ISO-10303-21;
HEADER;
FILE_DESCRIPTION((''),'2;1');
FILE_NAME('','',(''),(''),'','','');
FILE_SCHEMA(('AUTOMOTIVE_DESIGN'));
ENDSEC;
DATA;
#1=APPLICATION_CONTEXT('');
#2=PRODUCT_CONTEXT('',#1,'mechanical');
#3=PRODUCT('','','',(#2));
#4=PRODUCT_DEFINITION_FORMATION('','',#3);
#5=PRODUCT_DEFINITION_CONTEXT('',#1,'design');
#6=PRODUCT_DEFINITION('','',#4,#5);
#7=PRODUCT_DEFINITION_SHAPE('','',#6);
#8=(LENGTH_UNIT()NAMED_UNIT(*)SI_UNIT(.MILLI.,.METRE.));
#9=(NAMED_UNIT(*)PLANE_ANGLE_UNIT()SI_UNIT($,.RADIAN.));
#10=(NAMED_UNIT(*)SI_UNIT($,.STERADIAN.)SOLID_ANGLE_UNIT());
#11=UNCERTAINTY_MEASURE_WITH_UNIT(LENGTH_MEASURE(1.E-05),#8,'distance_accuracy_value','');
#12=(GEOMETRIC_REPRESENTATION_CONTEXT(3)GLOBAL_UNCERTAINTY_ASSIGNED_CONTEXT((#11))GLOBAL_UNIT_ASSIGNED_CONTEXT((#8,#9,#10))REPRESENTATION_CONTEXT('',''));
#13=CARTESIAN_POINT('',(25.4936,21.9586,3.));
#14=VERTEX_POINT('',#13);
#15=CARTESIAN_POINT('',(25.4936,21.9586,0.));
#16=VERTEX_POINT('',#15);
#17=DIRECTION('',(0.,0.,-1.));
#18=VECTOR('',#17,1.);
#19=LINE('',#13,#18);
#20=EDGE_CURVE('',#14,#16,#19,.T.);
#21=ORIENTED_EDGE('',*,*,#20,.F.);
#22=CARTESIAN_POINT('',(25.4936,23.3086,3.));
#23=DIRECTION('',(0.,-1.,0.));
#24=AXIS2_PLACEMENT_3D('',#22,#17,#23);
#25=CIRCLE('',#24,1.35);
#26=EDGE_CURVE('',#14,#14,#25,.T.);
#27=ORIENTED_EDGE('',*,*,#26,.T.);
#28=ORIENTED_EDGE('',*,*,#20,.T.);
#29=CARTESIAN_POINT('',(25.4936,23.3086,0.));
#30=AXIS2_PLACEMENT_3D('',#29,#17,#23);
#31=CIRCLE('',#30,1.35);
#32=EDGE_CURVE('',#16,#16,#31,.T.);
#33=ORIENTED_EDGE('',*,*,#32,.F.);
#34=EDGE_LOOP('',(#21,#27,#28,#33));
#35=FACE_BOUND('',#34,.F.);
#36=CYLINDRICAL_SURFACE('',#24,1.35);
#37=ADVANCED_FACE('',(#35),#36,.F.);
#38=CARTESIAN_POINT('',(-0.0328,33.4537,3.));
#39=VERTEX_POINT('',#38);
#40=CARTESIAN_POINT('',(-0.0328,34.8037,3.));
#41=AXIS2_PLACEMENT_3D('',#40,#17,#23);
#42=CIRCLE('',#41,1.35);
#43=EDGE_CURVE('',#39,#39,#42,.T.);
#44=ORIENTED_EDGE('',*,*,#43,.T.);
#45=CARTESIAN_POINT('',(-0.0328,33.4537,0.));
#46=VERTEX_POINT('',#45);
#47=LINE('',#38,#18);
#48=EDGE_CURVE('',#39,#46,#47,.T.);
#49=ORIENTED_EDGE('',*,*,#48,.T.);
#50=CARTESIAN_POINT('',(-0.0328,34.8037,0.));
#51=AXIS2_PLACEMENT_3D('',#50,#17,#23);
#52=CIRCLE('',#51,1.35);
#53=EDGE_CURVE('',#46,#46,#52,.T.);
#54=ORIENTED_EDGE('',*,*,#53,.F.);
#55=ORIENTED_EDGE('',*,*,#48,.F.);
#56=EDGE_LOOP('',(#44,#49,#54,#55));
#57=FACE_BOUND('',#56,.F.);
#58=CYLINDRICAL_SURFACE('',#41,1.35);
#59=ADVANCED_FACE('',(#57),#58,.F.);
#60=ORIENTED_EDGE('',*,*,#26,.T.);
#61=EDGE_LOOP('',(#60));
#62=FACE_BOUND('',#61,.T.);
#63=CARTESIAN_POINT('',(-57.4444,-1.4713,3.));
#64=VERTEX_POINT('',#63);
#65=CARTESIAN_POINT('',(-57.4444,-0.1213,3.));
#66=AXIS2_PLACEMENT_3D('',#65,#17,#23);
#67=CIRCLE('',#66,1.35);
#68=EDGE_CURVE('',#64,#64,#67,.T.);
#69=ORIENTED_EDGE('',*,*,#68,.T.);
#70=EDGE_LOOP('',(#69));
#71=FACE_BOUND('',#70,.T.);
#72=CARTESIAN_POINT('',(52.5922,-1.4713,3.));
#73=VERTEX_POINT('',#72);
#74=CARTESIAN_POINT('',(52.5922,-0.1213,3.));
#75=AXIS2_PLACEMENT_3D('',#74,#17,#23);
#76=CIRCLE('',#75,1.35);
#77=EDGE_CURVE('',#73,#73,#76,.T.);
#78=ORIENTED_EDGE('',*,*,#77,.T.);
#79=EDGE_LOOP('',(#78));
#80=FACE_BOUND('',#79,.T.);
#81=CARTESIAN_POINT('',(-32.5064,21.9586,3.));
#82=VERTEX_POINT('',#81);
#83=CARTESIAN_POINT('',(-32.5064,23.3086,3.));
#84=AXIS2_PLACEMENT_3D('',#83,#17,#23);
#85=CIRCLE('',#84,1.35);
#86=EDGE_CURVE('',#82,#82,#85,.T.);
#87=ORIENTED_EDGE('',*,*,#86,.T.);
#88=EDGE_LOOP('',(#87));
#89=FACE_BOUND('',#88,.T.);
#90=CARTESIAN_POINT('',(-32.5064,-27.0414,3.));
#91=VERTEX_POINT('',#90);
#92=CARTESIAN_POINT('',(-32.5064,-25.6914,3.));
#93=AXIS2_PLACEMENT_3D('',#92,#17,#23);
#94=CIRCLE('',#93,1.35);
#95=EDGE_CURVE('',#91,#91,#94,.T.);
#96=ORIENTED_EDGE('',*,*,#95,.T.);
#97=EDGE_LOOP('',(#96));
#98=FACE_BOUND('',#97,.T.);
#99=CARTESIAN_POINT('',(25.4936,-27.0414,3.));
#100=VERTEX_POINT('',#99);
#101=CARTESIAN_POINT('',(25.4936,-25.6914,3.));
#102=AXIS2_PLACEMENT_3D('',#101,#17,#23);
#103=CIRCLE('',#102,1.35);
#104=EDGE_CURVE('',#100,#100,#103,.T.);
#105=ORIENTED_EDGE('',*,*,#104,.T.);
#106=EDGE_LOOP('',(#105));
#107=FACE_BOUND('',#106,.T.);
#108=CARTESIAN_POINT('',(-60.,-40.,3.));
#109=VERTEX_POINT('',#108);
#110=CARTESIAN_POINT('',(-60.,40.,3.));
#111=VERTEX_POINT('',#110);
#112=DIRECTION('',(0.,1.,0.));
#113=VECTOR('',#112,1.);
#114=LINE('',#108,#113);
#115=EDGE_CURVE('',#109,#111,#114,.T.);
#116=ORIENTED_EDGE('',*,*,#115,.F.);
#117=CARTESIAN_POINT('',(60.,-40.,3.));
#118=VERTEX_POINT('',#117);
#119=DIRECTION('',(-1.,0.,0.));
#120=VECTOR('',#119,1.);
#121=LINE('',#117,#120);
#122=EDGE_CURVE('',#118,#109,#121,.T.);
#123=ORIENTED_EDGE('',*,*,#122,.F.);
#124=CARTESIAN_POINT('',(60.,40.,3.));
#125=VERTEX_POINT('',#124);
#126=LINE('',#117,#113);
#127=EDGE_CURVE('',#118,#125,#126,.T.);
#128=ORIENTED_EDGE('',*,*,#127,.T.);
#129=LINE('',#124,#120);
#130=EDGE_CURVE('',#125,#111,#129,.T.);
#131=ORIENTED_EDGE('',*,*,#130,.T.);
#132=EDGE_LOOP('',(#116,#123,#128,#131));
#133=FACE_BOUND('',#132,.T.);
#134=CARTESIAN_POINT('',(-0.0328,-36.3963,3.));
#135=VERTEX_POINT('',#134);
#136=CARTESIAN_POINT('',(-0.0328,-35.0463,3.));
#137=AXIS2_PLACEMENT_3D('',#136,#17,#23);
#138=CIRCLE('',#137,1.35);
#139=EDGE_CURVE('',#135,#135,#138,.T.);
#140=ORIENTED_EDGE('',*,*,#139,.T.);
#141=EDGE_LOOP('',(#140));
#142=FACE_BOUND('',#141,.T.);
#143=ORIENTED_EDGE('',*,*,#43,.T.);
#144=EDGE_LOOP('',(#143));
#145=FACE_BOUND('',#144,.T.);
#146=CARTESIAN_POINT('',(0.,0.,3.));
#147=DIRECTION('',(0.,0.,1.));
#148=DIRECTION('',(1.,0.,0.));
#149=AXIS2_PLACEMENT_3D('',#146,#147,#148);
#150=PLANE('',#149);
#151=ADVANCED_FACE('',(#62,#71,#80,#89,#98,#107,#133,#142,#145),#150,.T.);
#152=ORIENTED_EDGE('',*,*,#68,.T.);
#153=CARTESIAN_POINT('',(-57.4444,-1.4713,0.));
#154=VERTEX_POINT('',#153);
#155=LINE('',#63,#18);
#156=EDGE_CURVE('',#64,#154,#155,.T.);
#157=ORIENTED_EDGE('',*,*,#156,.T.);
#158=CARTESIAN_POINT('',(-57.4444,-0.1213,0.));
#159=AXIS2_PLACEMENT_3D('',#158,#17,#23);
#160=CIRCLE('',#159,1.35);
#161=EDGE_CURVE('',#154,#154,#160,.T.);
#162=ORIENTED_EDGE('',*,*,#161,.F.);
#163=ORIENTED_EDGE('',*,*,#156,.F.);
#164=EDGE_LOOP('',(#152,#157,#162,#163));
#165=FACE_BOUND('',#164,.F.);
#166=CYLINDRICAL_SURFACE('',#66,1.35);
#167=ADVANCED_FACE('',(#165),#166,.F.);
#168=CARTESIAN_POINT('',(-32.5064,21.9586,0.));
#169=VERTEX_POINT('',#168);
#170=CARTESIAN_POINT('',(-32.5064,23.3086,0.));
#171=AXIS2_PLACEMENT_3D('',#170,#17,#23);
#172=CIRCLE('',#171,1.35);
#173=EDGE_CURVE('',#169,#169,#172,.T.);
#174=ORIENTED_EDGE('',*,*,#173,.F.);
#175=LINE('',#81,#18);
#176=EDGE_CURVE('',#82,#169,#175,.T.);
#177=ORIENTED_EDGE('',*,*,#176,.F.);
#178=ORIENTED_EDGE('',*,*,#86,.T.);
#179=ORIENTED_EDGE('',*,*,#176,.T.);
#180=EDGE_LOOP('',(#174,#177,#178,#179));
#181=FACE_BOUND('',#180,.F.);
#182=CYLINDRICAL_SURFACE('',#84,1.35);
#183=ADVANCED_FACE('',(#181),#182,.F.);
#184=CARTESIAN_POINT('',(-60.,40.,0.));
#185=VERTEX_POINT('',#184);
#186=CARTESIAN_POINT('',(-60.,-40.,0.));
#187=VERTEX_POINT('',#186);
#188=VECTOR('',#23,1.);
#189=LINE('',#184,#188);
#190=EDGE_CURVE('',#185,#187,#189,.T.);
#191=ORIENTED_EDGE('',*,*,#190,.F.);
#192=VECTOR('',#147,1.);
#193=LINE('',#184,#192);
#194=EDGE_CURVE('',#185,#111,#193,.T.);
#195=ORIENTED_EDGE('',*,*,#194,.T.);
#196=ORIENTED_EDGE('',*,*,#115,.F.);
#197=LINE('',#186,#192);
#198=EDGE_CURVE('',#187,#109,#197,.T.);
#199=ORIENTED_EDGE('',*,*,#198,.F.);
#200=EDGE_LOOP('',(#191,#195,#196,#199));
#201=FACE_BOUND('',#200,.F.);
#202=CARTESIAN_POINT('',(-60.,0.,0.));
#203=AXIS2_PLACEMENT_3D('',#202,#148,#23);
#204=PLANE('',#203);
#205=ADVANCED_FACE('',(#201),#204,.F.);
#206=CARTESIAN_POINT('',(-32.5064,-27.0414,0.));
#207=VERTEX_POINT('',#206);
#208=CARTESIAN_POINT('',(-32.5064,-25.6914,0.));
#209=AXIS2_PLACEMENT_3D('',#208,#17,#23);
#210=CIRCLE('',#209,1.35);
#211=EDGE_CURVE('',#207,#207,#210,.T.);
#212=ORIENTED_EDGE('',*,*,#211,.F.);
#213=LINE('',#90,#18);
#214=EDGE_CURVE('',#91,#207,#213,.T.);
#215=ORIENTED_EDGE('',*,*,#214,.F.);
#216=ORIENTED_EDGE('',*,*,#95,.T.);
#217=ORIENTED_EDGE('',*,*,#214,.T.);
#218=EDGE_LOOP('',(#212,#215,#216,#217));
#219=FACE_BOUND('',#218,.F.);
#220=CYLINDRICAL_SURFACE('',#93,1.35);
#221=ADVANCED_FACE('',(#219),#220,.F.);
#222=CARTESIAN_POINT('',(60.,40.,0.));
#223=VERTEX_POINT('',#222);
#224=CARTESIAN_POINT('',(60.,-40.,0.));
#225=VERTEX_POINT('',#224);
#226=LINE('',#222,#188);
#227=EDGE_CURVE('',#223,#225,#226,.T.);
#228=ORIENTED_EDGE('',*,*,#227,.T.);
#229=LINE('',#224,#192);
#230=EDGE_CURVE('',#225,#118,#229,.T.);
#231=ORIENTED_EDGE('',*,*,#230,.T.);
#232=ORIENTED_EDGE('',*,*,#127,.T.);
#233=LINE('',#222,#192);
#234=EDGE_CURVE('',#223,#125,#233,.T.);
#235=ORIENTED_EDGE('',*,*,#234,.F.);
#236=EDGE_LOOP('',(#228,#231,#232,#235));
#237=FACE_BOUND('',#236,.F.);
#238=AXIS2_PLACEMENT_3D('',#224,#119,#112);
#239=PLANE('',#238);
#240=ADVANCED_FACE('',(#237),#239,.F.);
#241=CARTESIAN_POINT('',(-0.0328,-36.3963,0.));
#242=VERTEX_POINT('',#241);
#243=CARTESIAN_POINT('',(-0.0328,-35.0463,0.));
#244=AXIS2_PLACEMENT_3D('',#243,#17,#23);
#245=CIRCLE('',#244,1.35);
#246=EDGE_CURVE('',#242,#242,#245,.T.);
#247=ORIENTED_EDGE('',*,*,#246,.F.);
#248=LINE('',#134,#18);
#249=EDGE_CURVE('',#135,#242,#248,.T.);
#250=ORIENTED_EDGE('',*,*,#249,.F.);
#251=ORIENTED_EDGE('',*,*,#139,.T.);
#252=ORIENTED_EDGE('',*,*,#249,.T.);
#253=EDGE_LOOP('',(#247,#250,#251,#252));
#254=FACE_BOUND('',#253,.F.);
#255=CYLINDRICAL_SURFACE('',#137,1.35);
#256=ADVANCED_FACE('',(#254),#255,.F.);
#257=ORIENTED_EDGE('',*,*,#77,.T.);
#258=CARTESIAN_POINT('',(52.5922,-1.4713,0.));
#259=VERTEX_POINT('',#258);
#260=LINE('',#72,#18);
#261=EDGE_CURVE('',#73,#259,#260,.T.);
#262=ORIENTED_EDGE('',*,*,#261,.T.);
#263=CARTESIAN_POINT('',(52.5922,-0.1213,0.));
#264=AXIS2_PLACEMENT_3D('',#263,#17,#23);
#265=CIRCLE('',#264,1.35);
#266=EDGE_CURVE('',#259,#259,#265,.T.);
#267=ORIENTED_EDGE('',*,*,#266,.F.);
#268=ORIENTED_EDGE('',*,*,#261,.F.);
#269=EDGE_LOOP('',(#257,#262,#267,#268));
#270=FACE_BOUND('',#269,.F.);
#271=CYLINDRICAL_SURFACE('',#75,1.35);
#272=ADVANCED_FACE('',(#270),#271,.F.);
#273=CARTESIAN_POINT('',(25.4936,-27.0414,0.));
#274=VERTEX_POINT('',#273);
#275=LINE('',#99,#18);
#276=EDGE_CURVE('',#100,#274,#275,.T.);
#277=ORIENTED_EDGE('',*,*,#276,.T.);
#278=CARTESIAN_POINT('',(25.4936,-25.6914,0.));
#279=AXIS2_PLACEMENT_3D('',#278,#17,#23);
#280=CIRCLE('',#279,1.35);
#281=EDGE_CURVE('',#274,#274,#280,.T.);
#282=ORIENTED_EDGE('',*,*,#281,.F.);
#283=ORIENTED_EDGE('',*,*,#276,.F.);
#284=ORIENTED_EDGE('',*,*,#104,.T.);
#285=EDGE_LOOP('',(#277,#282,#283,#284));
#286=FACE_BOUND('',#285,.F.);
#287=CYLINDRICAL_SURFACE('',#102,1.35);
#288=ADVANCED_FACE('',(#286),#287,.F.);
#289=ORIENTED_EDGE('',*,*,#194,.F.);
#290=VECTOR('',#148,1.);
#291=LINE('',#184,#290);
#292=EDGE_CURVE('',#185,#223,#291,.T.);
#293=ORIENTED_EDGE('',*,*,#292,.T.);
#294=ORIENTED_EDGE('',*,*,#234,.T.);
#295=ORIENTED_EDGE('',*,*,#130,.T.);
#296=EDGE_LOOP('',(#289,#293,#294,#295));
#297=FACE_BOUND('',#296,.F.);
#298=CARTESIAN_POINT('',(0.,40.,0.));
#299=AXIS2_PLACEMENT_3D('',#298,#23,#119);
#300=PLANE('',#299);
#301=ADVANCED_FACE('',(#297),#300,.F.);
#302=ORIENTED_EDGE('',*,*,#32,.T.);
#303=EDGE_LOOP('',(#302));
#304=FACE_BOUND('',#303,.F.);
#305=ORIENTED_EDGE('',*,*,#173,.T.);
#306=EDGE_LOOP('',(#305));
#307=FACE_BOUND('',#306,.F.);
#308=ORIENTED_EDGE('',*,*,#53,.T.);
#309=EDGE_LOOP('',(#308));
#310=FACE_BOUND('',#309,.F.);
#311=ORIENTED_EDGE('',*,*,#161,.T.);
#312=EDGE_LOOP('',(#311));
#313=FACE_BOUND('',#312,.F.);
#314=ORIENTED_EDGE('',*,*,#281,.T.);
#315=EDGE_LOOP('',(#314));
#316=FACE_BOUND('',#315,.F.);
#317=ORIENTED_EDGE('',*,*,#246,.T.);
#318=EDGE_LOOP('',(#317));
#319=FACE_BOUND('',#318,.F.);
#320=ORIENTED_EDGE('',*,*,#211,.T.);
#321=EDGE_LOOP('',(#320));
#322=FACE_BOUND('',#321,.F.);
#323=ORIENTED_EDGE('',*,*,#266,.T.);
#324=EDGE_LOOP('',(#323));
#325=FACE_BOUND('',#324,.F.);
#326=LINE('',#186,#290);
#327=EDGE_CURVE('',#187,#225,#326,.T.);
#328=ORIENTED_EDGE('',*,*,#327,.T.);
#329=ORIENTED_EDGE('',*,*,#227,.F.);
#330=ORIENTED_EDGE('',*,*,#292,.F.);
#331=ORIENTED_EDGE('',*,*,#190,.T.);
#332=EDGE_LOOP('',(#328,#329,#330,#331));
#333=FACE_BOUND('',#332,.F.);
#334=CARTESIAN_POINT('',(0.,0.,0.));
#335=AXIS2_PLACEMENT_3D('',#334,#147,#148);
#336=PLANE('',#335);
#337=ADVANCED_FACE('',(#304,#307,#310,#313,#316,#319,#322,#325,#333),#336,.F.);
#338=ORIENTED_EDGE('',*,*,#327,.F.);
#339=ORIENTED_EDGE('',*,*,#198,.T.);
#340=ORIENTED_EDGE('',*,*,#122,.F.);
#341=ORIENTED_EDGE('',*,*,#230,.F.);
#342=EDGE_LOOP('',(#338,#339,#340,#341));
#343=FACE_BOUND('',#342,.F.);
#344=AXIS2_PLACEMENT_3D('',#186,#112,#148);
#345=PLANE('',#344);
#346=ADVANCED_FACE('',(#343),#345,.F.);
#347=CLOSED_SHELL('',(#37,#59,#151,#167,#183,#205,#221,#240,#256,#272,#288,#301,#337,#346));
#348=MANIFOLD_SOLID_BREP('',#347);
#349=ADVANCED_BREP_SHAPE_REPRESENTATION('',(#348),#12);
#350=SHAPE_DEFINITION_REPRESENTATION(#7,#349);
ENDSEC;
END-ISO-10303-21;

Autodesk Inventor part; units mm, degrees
ref_plane "YZ Plane" through (0, 0, 0) normal (1, 0, 0) x (0, 1, 0)
ref_plane "XZ Plane" through (0, 0, 0) normal (0, 1, 0) x (-1, 0, 0)
ref_plane "XY Plane" through (0, 0, 0) normal (0, 0, 1) x (1, 0, 0)
sketch "Sketch1" plane through (0, 0, 0) normal (0, 0, 1) x (1, 0, 0)
  line L0 (-60, -40) -> (60, -40)
  line L1 (60, -40) -> (60, 40)
  line L2 (60, 40) -> (-60, 40)
  line L3 (-60, 40) -> (-60, -40)
  line L4 (-60, -40) -> (60, 40) construction
  line L5 (60, -40) -> (-60, 40) construction
  line L6 (60, 0) -> (-60, 0)
  line L7 (0, -40) -> (0, 40)
  point P0 (0, 0)
  dimension "d0" = 120
  dimension "d1" = 80
extrude "Extrusion1" add sketch "Sketch1" along normal blind 3
sketch "Sketch2" plane through (0, 0, 3) normal (0, 0, 1) x (1, 0, 0)
  circle A0 centre (-0.0328, 34.8037) radius 1.35
  circle A1 centre (-0.0328, -35.0463) radius 1.35
  circle A2 centre (52.5922, -0.1213) radius 1.35
  circle A3 centre (25.4936, 23.3086) radius 1.35
  circle A4 centre (25.4936, -25.6914) radius 1.35
  circle A5 centre (-32.5064, -25.6914) radius 1.35
  circle A6 centre (-32.5064, 23.3086) radius 1.35
  circle A7 centre (-57.4444, -0.1213) radius 1.35
  point P0 (0, 0)
  point P1 (-0.0328, -0.1213)
hole "Hole1" at (-0.0328, 34.8037, 3) at (-32.5064, 23.3086, 3) at (-57.4444, -0.1213, 3) at (-32.5064, -25.6914, 3) at (-0.0328, -35.0463, 3) at (25.4936, -25.6914, 3) at (52.5922, -0.1213, 3) at (25.4936, 23.3086, 3) direction (0, 0, -1) diameter 2.7 end through all
properties part number "plate"
